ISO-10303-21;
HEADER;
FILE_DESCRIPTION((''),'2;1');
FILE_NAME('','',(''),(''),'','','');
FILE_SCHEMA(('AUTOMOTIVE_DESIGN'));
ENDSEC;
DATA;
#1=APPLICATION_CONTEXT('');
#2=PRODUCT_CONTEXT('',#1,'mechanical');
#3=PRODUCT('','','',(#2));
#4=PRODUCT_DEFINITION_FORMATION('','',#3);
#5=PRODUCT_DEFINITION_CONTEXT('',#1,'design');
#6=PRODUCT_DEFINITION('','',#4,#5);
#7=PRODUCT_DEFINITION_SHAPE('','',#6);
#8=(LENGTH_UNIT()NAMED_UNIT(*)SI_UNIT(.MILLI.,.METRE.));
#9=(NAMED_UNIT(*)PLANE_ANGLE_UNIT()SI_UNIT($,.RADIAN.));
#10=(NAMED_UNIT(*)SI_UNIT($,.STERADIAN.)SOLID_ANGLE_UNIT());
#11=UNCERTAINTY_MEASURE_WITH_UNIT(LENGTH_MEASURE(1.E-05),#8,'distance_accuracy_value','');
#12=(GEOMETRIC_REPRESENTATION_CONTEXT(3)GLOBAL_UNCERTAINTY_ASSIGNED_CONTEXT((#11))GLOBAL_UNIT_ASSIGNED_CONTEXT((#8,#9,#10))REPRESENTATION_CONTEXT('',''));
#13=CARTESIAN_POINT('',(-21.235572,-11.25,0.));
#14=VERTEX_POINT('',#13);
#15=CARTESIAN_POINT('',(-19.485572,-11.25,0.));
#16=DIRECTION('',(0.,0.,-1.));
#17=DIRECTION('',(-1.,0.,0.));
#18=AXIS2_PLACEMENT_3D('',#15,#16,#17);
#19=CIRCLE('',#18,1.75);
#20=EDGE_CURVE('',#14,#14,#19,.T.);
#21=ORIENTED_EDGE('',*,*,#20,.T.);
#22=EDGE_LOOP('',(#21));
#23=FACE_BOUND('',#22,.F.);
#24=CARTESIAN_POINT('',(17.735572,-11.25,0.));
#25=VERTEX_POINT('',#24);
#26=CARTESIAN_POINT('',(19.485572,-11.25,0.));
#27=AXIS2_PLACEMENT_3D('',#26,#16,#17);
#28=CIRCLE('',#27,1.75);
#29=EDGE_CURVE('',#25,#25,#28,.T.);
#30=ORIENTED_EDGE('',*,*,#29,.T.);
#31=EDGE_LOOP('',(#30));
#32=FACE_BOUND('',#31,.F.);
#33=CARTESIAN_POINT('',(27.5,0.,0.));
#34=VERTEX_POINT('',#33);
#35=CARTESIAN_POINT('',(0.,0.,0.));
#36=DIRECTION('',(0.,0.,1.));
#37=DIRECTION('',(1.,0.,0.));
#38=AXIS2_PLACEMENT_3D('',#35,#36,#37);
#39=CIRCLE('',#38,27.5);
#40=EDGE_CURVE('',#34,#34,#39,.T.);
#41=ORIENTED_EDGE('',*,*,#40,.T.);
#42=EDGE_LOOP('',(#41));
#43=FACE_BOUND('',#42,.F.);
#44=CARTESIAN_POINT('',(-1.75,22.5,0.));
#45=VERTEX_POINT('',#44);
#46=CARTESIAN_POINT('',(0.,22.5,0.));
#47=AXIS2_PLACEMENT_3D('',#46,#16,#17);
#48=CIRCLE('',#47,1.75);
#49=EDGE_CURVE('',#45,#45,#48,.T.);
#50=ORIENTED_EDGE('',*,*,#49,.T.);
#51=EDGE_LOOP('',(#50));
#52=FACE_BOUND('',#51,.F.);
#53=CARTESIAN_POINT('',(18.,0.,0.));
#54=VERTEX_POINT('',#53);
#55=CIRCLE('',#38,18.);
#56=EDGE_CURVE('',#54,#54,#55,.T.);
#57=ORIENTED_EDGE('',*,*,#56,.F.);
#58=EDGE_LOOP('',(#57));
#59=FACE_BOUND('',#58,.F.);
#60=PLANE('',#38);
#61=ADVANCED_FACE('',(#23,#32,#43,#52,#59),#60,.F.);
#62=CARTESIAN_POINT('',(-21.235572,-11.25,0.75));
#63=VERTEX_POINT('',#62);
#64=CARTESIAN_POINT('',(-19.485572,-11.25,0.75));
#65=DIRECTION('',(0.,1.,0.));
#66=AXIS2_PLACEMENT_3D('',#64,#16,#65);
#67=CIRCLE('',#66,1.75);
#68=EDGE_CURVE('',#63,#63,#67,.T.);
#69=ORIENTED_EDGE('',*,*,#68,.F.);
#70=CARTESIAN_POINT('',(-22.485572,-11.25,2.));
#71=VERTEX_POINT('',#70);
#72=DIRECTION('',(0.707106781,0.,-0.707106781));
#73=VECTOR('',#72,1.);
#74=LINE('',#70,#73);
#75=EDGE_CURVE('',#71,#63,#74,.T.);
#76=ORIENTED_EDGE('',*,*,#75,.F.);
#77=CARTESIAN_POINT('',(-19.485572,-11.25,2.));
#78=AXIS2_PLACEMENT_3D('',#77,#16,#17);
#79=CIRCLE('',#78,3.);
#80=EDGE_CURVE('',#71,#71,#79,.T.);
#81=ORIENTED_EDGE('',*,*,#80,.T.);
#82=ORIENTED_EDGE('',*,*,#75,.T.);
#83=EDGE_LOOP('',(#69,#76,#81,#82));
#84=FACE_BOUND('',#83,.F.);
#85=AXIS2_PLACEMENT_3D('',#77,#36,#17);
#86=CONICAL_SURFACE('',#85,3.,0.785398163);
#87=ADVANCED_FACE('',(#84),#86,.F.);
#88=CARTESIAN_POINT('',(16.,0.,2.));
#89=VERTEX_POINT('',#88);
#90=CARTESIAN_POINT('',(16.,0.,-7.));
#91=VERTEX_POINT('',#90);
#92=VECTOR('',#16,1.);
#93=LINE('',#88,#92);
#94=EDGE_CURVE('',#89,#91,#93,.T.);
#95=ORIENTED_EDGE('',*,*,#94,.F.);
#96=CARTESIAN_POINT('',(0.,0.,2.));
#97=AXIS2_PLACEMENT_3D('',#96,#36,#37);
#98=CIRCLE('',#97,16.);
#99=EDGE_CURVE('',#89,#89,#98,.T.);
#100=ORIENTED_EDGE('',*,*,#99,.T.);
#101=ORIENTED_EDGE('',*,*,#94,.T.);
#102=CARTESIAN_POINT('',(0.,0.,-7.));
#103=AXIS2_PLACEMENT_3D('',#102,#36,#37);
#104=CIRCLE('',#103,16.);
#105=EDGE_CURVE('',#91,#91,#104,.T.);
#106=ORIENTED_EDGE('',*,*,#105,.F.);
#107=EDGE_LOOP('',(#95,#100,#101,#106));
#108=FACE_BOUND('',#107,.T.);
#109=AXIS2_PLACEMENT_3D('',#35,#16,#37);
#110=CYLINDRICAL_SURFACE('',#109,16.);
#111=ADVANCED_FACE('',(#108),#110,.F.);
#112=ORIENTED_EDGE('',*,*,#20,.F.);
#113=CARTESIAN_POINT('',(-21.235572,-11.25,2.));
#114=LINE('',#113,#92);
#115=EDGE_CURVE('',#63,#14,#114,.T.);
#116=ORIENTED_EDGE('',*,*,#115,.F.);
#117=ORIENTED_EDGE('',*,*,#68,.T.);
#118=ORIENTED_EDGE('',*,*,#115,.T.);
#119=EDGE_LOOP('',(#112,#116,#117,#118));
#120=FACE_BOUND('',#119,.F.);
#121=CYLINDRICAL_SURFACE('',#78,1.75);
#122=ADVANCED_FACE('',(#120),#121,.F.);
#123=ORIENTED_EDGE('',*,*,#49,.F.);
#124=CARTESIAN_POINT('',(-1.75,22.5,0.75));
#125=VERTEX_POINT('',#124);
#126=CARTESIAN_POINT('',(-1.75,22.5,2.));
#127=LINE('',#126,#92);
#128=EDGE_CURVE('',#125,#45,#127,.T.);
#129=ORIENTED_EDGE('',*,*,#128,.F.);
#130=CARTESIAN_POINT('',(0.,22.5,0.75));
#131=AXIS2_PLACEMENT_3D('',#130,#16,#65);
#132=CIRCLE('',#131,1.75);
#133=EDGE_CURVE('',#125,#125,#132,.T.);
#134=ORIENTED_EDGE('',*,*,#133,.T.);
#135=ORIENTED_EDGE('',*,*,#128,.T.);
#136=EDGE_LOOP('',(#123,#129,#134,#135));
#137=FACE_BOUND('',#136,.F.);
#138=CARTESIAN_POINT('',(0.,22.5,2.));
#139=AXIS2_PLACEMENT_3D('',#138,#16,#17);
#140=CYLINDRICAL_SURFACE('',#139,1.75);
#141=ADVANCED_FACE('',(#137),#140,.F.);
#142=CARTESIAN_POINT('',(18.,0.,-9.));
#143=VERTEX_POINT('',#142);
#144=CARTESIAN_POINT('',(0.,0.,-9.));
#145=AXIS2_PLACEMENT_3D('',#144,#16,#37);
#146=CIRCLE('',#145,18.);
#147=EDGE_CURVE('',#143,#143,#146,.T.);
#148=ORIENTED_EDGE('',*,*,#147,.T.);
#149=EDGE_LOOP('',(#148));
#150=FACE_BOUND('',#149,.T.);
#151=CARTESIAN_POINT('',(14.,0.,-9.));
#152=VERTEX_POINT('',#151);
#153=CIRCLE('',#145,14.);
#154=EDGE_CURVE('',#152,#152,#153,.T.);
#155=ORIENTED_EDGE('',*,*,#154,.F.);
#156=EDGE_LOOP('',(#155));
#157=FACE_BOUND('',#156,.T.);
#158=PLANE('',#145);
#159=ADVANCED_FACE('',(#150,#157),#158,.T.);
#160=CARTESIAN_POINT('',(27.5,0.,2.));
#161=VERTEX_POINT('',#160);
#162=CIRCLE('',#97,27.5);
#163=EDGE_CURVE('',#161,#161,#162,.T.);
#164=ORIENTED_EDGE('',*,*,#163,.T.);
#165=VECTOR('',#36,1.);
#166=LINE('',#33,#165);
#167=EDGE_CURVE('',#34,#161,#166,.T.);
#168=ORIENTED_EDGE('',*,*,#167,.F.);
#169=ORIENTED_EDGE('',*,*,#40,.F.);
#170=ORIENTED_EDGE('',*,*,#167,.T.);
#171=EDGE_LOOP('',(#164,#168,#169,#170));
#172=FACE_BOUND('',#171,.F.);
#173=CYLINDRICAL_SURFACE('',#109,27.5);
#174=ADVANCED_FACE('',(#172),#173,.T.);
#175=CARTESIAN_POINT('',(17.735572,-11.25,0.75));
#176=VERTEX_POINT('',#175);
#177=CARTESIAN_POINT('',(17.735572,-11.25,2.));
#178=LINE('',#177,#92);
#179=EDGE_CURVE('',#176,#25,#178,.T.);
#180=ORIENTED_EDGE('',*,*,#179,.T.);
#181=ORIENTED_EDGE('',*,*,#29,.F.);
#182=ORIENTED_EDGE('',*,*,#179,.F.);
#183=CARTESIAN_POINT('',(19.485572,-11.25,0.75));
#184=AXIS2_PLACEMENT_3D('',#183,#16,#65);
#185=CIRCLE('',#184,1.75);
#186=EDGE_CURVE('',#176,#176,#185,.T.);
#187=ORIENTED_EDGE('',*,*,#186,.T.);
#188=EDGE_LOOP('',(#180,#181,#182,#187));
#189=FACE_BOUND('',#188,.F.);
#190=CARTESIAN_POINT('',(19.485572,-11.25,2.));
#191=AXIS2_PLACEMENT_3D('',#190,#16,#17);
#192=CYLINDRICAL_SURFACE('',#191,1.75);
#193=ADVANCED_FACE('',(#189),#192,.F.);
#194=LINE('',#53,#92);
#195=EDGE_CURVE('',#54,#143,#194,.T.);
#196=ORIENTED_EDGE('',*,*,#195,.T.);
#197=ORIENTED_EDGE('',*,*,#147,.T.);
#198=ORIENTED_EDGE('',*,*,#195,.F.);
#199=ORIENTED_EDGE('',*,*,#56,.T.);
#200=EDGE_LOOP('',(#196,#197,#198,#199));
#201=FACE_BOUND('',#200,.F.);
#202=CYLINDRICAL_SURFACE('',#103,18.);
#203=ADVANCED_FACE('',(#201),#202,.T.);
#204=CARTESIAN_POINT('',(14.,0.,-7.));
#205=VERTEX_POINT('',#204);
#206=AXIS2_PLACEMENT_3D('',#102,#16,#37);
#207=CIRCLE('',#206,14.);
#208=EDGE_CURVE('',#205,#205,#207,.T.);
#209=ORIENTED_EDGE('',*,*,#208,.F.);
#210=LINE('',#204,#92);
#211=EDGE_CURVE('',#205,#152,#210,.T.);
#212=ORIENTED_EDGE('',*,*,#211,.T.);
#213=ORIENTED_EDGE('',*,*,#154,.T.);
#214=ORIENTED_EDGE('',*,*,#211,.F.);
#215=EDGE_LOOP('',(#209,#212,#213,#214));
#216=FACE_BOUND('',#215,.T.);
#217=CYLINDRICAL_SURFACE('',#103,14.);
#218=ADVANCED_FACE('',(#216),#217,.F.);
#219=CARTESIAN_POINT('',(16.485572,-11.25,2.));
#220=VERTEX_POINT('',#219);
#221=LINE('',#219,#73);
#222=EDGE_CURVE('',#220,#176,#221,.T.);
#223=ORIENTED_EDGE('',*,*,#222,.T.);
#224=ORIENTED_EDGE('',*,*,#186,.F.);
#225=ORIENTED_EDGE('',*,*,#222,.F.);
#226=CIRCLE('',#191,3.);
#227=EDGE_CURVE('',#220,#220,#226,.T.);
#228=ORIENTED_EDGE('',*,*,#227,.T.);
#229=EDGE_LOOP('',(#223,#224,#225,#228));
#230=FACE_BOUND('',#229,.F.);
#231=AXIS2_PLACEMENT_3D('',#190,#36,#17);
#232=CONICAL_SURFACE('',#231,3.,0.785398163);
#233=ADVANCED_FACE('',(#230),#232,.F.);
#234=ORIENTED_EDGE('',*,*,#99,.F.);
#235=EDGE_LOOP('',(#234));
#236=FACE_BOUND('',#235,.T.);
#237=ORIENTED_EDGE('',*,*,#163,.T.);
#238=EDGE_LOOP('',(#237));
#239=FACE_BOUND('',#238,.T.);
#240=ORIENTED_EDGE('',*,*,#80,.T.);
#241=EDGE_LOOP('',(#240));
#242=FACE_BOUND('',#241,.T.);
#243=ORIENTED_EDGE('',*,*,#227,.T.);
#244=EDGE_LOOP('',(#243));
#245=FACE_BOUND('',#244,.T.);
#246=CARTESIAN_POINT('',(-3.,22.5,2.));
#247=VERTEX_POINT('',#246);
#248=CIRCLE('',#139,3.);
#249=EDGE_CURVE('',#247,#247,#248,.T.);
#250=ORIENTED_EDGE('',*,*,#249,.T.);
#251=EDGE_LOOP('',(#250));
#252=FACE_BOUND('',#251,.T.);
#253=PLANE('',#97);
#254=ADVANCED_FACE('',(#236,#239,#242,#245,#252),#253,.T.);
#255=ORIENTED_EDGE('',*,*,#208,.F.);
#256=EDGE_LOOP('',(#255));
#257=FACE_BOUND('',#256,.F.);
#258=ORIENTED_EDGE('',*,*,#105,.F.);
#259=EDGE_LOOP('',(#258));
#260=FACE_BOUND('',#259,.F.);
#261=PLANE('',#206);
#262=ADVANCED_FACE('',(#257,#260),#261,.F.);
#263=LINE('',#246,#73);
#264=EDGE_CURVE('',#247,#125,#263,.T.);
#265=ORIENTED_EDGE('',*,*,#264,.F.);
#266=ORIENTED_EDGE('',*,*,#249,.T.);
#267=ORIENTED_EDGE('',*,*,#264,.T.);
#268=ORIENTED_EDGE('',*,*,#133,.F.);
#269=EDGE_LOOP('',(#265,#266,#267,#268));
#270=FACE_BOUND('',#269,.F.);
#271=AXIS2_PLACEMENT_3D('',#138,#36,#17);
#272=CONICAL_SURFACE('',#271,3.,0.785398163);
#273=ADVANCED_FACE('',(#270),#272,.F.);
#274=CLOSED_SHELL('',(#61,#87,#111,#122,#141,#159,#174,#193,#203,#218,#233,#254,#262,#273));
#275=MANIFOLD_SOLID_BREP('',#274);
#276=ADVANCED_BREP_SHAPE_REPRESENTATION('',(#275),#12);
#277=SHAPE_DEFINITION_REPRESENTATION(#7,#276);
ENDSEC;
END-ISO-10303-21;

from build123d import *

# Parameters (mm, degrees)
F0_R           = 18
F0_R_2         = 16
F1_DEPTH       = 7
F2_R           = 27.5
F2_R_2         = 16
F3_DEPTH       = 2
F4_R           = 18
F4_R_2         = 14
F5_DEPTH       = 2
F7_D           = 3.5
F7_CSINK_D     = 6
F7_CSINK_ANGLE = 90


with BuildPart() as f1:
    # F0 (on Top) → F1 (new body)
    with BuildSketch(Plane.XY):
        Circle(F0_R)
        Circle(F0_R_2, mode=Mode.SUBTRACT)
    extrude(amount=-F1_DEPTH)

    # F2 (on Top) → F3 (join)
    with BuildSketch(Plane.XY):
        Circle(F2_R)
        Circle(F2_R_2, mode=Mode.SUBTRACT)
    extrude(amount=F3_DEPTH)

    # F4 (on face) → F5 (join)
    with BuildSketch(Plane(origin=(0, 0, -7), x_dir=(1, 0, 0), z_dir=(0, 0, -1))):
        Circle(F4_R)
        Circle(F4_R_2, mode=Mode.SUBTRACT)
    extrude(amount=F5_DEPTH)

    # F7 (through all)
    with Locations(Plane.XY.offset(2)):
        with Locations((0, 22.5), (-19.485572, -11.25), (19.485572, -11.25)):
            CounterSinkHole(F7_D / 2, F7_CSINK_D / 2, counter_sink_angle=F7_CSINK_ANGLE)


solid = f1.part
